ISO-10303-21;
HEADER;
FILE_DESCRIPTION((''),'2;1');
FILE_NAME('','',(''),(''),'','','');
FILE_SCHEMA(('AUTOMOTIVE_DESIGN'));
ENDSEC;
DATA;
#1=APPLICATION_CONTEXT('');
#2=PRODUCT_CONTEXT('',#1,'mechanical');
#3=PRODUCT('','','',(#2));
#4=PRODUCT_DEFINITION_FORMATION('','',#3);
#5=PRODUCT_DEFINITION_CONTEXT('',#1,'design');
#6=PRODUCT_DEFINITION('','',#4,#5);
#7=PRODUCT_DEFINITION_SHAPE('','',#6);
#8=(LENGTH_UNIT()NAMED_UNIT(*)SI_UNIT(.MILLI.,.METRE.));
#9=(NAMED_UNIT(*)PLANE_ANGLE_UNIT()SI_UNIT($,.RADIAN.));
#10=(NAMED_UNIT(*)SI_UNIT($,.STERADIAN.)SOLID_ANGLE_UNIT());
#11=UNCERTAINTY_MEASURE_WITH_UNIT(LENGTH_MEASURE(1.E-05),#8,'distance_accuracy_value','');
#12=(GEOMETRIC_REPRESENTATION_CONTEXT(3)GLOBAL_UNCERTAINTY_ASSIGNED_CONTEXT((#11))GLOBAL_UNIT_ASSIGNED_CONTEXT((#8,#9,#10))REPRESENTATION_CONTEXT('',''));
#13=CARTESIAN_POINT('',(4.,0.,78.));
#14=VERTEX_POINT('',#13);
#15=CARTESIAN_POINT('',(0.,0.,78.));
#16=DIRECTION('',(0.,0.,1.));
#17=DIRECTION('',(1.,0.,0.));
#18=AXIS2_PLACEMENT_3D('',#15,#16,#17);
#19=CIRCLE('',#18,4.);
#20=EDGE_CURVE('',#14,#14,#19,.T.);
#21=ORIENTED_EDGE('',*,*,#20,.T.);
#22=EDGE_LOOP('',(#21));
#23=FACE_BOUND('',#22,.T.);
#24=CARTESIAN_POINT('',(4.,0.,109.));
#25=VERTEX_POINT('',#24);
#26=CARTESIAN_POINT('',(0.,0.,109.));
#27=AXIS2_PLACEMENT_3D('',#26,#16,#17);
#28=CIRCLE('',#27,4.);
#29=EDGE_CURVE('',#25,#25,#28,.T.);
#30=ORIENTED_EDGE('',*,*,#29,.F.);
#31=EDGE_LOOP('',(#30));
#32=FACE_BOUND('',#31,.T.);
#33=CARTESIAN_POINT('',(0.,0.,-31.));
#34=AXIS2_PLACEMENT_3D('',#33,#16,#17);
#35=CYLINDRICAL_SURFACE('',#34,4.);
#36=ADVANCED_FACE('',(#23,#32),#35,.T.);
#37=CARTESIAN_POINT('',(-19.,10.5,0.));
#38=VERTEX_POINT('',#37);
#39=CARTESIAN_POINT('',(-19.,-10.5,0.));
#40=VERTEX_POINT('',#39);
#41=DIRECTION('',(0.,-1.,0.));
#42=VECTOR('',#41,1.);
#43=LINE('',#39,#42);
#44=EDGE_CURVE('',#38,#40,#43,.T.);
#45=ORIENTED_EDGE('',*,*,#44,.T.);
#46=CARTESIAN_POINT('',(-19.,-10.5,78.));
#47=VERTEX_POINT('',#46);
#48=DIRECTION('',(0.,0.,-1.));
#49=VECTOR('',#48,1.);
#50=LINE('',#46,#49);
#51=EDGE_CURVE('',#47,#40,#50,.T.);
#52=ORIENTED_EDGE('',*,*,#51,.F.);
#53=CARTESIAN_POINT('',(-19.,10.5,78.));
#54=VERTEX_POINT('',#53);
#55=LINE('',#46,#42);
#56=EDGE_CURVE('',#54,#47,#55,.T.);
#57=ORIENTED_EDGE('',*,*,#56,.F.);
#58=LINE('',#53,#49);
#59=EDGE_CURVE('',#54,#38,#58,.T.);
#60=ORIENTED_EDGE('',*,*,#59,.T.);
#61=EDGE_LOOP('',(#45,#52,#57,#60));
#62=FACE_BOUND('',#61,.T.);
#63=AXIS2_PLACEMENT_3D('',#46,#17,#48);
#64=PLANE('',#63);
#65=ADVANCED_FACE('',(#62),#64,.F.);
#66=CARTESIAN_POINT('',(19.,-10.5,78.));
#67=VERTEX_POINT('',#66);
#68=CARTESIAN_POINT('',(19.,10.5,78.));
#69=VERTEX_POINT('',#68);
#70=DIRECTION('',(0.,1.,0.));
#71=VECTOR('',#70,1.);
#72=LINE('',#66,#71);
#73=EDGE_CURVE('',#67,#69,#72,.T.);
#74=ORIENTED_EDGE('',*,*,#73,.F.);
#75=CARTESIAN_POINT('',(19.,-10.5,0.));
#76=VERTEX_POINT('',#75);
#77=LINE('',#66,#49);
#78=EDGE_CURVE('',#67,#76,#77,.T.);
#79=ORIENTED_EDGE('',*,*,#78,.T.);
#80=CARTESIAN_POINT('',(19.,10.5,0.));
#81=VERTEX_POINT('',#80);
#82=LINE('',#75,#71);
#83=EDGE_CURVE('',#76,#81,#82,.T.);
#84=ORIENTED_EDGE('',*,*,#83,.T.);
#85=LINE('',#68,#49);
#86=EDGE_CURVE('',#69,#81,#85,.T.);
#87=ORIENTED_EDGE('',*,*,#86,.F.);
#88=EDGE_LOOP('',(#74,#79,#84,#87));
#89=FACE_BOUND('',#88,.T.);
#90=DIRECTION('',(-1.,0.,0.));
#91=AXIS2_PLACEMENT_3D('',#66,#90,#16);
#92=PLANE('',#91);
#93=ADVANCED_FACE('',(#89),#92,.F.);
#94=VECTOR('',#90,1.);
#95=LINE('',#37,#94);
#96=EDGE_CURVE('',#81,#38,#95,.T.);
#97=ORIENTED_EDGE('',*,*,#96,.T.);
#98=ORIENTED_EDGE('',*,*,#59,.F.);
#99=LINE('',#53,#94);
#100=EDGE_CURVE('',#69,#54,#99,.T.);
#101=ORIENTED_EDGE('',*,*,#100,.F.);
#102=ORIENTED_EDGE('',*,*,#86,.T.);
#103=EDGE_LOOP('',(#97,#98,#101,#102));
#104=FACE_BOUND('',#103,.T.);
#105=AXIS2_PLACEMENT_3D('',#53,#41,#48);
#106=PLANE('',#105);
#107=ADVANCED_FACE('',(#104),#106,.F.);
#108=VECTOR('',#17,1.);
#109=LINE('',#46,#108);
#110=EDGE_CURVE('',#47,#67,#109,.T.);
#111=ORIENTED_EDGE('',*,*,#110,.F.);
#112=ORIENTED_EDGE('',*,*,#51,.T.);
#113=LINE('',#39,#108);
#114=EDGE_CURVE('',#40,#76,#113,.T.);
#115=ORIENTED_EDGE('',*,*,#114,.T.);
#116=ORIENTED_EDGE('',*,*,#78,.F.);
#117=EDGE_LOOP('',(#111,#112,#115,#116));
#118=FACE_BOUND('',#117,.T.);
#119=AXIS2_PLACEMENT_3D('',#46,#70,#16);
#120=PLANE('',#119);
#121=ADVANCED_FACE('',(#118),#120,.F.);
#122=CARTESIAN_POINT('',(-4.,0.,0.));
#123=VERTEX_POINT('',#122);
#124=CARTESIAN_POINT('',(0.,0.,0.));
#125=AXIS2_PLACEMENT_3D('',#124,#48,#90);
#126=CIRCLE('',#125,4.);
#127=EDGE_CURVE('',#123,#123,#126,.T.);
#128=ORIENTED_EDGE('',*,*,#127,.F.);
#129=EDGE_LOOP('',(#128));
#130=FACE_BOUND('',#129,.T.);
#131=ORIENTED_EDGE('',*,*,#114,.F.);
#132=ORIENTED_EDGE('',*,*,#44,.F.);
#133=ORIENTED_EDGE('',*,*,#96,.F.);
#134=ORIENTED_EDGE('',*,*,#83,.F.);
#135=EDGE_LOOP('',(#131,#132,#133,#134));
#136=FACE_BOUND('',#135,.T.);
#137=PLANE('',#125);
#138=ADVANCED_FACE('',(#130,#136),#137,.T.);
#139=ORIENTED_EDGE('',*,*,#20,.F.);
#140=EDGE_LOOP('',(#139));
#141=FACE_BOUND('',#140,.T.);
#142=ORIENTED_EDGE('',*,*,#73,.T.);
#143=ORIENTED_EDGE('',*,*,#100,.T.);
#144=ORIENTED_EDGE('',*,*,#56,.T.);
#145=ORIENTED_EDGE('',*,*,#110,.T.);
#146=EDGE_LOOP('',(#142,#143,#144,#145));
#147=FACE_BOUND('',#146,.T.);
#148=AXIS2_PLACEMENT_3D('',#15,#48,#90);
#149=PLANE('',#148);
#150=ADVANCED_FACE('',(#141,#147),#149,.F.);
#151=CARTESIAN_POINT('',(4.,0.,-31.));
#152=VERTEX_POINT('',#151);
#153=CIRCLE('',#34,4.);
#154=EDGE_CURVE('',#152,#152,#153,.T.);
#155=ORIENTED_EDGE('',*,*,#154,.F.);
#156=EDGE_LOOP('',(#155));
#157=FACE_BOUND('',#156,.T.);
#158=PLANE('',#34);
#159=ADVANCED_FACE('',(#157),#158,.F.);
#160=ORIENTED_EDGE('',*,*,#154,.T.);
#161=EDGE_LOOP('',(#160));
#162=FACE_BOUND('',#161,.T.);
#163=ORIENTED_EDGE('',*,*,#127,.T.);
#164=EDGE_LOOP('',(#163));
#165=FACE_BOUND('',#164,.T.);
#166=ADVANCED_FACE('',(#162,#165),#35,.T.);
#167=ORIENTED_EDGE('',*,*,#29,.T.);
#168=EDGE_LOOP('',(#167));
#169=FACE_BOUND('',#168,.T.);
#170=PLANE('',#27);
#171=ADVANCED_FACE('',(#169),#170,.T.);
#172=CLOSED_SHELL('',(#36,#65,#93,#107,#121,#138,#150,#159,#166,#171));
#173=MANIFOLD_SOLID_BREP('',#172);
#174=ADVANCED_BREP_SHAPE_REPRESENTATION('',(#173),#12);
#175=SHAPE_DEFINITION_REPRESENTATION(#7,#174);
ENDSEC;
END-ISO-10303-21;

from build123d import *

# Parameters (mm, degrees)
SKETCH1_W           = 38
SKETCH1_H           = 21
BOSS_EXTRUDE1_DEPTH = 78
SKETCH2_R           = 4
CUT_EXTRUDE1_DEPTH  = 81.964498393
SKETCH3_R           = 4
BOSS_EXTRUDE2_DEPTH = 140


with BuildPart() as part:
    # Sketch1 → Boss-Extrude1 (new body)
    with BuildSketch(Plane.XY):
        Rectangle(SKETCH1_W, SKETCH1_H)
    extrude(amount=BOSS_EXTRUDE1_DEPTH)

    # Sketch2 → Cut-Extrude1 (cut, through all)
    with BuildSketch(Plane.XY.offset(78)):
        Circle(SKETCH2_R)
    extrude(amount=-CUT_EXTRUDE1_DEPTH, mode=Mode.SUBTRACT)

    # Sketch3 → Boss-Extrude2 (add)
    with BuildSketch(Plane.XY.offset(109)):
        Circle(SKETCH3_R)
    extrude(amount=-BOSS_EXTRUDE2_DEPTH)


solid = part.part
